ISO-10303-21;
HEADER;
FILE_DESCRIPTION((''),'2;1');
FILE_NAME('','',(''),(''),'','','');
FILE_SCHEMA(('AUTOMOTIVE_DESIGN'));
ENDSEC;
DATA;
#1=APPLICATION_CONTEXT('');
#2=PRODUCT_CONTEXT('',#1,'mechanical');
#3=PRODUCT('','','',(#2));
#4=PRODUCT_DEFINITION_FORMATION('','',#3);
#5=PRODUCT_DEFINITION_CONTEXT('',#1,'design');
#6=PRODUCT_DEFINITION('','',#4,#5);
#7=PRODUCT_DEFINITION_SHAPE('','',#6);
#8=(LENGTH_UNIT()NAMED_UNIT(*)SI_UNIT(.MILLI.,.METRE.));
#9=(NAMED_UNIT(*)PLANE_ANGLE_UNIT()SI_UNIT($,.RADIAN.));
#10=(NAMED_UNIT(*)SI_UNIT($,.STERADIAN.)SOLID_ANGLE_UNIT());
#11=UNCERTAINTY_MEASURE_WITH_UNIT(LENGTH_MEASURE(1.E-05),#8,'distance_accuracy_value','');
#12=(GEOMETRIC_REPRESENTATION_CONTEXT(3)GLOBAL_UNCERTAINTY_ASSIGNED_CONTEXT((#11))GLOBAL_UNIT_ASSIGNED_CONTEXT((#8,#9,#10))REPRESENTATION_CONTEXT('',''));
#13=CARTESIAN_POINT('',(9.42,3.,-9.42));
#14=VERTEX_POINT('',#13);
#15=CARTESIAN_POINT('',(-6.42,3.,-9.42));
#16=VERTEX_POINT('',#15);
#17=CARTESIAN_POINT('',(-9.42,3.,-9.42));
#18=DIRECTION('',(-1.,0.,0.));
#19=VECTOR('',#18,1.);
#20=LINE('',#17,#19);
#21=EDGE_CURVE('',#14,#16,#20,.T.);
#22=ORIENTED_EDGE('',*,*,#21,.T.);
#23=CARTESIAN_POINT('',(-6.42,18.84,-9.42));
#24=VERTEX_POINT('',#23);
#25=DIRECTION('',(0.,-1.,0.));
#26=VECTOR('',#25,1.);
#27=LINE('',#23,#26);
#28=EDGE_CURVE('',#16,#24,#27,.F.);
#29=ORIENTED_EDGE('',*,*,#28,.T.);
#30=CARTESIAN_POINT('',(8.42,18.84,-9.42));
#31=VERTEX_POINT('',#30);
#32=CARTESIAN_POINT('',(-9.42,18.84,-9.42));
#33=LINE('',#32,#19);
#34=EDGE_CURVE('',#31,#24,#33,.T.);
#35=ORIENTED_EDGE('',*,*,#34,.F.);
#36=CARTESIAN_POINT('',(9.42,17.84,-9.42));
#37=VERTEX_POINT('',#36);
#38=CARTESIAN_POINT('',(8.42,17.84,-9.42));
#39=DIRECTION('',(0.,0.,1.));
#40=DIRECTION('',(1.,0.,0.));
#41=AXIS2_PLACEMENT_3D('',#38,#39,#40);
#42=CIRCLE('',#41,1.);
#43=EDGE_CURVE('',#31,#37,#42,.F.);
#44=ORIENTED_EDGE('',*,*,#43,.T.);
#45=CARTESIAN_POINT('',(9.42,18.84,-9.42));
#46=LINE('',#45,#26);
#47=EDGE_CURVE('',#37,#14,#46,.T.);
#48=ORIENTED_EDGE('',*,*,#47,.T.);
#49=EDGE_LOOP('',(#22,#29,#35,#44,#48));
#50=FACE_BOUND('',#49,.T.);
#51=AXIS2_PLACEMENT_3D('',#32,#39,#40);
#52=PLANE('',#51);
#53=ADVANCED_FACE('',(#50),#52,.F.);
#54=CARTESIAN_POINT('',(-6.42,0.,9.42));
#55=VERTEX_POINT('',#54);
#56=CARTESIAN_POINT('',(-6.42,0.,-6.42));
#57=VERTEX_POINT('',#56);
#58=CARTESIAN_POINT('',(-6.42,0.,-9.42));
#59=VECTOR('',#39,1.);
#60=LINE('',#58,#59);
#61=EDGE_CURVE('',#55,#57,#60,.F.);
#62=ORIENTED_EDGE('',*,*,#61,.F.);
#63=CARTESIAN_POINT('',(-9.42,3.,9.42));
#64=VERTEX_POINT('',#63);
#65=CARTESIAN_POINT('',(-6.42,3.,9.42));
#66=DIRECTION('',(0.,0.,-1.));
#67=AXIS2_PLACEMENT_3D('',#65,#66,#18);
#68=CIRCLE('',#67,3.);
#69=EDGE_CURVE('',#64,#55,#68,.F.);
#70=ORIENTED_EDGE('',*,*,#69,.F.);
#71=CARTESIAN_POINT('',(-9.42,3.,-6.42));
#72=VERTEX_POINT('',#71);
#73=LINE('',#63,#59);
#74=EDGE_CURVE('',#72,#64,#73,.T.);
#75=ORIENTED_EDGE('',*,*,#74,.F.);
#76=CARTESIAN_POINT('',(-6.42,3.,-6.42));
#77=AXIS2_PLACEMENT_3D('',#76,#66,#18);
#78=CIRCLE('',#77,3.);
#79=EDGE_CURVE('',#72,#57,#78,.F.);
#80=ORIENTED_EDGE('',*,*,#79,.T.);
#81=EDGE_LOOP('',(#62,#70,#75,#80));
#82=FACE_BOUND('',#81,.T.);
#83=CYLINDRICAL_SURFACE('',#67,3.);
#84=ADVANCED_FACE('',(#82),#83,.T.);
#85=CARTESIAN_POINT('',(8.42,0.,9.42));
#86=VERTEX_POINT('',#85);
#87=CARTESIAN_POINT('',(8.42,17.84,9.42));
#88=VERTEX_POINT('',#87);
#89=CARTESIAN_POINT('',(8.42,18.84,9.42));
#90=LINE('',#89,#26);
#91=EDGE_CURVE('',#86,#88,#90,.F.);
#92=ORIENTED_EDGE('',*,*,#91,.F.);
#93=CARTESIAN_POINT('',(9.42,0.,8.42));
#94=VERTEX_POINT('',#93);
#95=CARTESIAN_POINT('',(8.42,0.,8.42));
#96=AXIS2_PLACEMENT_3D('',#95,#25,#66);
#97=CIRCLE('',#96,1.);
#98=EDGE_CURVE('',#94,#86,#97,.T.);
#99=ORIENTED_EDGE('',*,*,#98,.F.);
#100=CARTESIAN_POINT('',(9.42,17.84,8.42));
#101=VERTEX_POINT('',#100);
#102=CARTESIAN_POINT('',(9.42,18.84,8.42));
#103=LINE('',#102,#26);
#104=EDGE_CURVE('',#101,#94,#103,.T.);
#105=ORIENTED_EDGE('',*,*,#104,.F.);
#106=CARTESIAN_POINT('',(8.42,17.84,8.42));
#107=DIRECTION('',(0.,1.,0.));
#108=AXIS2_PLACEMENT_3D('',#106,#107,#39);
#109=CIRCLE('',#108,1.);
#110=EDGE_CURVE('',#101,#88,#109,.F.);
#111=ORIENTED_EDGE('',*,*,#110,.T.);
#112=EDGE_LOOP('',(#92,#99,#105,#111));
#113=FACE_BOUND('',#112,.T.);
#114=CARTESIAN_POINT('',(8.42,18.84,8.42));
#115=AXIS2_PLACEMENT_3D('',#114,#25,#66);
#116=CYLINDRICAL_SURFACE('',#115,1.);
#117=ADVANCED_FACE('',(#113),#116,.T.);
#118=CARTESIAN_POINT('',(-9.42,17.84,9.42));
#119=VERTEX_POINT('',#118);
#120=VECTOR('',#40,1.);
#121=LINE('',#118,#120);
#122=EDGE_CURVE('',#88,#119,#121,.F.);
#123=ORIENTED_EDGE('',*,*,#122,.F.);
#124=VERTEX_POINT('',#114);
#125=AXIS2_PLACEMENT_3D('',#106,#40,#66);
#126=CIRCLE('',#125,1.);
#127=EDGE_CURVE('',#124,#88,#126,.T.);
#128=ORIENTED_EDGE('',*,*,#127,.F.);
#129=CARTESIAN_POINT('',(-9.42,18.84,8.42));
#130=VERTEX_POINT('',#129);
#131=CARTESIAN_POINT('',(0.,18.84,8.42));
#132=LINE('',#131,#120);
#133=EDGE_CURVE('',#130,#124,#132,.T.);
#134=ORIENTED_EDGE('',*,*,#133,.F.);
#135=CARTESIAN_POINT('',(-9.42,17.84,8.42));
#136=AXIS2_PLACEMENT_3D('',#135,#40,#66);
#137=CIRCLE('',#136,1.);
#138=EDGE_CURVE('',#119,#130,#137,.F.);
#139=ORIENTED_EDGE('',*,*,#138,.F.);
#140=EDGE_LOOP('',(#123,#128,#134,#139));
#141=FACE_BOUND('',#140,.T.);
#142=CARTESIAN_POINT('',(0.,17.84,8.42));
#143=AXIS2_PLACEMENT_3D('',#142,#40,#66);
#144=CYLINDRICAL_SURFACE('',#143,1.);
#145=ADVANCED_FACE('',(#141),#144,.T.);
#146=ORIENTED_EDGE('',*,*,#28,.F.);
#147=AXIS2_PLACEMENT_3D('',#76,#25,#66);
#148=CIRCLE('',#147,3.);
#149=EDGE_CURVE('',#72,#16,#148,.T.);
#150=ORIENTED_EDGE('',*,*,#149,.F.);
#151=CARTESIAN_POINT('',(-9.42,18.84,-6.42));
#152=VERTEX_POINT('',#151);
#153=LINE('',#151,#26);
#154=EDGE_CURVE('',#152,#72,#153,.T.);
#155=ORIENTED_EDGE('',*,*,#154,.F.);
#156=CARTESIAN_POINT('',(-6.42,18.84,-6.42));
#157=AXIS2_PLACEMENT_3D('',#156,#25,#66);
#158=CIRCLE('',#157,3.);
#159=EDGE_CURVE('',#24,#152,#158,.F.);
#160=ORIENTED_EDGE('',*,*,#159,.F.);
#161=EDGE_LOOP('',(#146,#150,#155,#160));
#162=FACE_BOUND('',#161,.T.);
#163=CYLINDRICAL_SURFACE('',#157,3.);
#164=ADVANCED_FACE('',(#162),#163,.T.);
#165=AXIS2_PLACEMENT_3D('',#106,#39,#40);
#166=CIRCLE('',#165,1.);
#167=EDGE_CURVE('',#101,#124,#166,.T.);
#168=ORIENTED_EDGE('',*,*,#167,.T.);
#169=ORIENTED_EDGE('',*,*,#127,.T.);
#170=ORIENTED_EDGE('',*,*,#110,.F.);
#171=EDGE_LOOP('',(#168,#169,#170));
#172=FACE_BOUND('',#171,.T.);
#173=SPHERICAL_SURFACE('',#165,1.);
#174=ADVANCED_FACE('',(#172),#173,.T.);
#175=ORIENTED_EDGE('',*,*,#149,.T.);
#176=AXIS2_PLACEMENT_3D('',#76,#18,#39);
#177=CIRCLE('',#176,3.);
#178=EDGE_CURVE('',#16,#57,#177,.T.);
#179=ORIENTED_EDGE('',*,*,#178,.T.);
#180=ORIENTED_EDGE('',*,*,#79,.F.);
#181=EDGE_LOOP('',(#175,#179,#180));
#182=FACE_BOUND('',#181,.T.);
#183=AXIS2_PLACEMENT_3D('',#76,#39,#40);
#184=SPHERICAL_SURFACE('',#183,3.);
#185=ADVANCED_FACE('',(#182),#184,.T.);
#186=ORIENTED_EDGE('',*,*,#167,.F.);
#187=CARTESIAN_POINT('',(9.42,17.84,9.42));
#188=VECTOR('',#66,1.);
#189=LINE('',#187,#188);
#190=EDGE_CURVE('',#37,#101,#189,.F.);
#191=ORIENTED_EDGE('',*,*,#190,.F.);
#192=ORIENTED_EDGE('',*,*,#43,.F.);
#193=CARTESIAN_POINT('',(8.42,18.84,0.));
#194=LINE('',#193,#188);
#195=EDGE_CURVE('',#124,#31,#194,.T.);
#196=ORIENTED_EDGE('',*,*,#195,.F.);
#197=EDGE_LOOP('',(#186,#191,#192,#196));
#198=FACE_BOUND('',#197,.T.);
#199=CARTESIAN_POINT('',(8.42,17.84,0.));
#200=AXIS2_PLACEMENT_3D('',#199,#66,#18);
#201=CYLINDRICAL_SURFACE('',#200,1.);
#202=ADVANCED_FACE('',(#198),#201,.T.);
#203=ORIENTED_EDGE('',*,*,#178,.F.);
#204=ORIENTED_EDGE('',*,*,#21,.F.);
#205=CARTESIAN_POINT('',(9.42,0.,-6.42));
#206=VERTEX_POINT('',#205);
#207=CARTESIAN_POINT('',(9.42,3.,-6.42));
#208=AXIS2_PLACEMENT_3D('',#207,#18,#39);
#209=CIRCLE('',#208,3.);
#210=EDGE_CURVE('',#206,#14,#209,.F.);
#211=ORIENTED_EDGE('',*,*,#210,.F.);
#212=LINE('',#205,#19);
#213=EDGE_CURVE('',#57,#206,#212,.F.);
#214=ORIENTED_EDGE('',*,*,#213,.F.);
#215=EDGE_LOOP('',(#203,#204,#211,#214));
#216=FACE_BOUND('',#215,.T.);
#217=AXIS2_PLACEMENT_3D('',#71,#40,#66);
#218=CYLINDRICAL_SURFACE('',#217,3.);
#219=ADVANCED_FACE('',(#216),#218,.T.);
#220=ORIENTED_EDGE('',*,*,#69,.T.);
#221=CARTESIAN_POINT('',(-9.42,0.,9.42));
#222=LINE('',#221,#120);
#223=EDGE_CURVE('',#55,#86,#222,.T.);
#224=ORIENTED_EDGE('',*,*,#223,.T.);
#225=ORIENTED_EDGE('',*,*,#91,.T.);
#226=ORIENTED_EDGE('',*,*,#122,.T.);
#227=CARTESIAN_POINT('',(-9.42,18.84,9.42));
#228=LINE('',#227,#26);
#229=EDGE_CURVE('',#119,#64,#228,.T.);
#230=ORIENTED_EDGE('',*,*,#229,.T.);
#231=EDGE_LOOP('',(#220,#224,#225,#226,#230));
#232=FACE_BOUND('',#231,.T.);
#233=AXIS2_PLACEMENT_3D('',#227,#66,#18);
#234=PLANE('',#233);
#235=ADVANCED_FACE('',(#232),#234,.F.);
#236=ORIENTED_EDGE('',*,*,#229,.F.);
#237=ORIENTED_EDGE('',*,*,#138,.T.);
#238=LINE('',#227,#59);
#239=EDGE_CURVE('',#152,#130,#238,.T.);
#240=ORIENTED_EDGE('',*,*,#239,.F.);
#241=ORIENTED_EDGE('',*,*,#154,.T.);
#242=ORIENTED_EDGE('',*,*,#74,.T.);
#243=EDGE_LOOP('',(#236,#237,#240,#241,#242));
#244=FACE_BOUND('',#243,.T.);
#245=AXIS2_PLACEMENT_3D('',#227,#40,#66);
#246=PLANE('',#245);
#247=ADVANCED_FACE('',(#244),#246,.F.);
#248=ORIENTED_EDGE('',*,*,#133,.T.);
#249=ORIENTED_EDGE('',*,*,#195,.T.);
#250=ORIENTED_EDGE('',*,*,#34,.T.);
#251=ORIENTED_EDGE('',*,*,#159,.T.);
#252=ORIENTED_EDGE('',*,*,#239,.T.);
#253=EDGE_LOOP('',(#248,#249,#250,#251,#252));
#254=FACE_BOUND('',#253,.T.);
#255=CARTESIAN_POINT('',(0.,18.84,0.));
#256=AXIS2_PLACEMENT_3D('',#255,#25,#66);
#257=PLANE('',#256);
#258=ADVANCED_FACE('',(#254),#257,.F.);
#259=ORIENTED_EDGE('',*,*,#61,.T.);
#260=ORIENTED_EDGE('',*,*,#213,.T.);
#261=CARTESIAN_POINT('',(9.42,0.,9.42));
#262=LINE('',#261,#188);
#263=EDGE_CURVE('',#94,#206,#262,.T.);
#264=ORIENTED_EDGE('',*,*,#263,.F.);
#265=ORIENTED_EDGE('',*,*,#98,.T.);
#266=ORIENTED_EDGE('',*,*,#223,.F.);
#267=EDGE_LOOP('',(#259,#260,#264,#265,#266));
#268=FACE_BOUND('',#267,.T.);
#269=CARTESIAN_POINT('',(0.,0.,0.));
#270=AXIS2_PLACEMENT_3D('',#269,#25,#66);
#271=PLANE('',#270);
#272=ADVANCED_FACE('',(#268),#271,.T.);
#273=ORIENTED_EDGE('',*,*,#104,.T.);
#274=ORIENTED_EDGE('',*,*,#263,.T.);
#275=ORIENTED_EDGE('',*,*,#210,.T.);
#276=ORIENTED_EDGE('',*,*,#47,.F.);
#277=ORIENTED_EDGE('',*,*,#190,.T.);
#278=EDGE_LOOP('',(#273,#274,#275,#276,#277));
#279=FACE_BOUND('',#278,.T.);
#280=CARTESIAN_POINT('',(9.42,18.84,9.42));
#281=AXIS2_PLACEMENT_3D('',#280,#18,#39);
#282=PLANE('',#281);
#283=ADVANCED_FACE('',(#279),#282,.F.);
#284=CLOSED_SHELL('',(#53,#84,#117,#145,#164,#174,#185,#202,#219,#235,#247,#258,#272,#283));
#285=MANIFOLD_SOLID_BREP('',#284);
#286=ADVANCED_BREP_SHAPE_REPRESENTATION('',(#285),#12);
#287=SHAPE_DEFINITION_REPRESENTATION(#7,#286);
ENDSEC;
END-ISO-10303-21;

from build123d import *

# Parameters (mm, degrees)
SKETCH_1_W      = 18.84
SKETCH_1_H      = 18.84
EXTRUDE_1_DEPTH = 18.84
FILLET_1_R      = 1
FILLET_2_R      = 3


with BuildPart() as part:
    # 草图1 → 凸台-拉伸1 (new body)
    with BuildSketch(Plane(origin=(0, 0, 0), x_dir=(1, 0, 0), z_dir=(0, 1, 0))):
        Rectangle(SKETCH_1_W, SKETCH_1_H)
    extrude(amount=EXTRUDE_1_DEPTH)

    # 圆角1
    fillet_1_edges = [part.edges().sort_by_distance(p)[0] for p in [
        (0, 18.84, 9.42),
        (9.42, 18.84, 0),
        (9.42, 9.42, 9.42),
    ]]
    fillet(fillet_1_edges, radius=FILLET_1_R)

    # 圆角2
    fillet_2_edges = [part.edges().sort_by_distance(p)[0] for p in [
        (-9.42, 0, 0),
        (0, 0, -9.42),
        (-9.42, 9.42, -9.42),
    ]]
    fillet(fillet_2_edges, radius=FILLET_2_R)


solid = part.part
